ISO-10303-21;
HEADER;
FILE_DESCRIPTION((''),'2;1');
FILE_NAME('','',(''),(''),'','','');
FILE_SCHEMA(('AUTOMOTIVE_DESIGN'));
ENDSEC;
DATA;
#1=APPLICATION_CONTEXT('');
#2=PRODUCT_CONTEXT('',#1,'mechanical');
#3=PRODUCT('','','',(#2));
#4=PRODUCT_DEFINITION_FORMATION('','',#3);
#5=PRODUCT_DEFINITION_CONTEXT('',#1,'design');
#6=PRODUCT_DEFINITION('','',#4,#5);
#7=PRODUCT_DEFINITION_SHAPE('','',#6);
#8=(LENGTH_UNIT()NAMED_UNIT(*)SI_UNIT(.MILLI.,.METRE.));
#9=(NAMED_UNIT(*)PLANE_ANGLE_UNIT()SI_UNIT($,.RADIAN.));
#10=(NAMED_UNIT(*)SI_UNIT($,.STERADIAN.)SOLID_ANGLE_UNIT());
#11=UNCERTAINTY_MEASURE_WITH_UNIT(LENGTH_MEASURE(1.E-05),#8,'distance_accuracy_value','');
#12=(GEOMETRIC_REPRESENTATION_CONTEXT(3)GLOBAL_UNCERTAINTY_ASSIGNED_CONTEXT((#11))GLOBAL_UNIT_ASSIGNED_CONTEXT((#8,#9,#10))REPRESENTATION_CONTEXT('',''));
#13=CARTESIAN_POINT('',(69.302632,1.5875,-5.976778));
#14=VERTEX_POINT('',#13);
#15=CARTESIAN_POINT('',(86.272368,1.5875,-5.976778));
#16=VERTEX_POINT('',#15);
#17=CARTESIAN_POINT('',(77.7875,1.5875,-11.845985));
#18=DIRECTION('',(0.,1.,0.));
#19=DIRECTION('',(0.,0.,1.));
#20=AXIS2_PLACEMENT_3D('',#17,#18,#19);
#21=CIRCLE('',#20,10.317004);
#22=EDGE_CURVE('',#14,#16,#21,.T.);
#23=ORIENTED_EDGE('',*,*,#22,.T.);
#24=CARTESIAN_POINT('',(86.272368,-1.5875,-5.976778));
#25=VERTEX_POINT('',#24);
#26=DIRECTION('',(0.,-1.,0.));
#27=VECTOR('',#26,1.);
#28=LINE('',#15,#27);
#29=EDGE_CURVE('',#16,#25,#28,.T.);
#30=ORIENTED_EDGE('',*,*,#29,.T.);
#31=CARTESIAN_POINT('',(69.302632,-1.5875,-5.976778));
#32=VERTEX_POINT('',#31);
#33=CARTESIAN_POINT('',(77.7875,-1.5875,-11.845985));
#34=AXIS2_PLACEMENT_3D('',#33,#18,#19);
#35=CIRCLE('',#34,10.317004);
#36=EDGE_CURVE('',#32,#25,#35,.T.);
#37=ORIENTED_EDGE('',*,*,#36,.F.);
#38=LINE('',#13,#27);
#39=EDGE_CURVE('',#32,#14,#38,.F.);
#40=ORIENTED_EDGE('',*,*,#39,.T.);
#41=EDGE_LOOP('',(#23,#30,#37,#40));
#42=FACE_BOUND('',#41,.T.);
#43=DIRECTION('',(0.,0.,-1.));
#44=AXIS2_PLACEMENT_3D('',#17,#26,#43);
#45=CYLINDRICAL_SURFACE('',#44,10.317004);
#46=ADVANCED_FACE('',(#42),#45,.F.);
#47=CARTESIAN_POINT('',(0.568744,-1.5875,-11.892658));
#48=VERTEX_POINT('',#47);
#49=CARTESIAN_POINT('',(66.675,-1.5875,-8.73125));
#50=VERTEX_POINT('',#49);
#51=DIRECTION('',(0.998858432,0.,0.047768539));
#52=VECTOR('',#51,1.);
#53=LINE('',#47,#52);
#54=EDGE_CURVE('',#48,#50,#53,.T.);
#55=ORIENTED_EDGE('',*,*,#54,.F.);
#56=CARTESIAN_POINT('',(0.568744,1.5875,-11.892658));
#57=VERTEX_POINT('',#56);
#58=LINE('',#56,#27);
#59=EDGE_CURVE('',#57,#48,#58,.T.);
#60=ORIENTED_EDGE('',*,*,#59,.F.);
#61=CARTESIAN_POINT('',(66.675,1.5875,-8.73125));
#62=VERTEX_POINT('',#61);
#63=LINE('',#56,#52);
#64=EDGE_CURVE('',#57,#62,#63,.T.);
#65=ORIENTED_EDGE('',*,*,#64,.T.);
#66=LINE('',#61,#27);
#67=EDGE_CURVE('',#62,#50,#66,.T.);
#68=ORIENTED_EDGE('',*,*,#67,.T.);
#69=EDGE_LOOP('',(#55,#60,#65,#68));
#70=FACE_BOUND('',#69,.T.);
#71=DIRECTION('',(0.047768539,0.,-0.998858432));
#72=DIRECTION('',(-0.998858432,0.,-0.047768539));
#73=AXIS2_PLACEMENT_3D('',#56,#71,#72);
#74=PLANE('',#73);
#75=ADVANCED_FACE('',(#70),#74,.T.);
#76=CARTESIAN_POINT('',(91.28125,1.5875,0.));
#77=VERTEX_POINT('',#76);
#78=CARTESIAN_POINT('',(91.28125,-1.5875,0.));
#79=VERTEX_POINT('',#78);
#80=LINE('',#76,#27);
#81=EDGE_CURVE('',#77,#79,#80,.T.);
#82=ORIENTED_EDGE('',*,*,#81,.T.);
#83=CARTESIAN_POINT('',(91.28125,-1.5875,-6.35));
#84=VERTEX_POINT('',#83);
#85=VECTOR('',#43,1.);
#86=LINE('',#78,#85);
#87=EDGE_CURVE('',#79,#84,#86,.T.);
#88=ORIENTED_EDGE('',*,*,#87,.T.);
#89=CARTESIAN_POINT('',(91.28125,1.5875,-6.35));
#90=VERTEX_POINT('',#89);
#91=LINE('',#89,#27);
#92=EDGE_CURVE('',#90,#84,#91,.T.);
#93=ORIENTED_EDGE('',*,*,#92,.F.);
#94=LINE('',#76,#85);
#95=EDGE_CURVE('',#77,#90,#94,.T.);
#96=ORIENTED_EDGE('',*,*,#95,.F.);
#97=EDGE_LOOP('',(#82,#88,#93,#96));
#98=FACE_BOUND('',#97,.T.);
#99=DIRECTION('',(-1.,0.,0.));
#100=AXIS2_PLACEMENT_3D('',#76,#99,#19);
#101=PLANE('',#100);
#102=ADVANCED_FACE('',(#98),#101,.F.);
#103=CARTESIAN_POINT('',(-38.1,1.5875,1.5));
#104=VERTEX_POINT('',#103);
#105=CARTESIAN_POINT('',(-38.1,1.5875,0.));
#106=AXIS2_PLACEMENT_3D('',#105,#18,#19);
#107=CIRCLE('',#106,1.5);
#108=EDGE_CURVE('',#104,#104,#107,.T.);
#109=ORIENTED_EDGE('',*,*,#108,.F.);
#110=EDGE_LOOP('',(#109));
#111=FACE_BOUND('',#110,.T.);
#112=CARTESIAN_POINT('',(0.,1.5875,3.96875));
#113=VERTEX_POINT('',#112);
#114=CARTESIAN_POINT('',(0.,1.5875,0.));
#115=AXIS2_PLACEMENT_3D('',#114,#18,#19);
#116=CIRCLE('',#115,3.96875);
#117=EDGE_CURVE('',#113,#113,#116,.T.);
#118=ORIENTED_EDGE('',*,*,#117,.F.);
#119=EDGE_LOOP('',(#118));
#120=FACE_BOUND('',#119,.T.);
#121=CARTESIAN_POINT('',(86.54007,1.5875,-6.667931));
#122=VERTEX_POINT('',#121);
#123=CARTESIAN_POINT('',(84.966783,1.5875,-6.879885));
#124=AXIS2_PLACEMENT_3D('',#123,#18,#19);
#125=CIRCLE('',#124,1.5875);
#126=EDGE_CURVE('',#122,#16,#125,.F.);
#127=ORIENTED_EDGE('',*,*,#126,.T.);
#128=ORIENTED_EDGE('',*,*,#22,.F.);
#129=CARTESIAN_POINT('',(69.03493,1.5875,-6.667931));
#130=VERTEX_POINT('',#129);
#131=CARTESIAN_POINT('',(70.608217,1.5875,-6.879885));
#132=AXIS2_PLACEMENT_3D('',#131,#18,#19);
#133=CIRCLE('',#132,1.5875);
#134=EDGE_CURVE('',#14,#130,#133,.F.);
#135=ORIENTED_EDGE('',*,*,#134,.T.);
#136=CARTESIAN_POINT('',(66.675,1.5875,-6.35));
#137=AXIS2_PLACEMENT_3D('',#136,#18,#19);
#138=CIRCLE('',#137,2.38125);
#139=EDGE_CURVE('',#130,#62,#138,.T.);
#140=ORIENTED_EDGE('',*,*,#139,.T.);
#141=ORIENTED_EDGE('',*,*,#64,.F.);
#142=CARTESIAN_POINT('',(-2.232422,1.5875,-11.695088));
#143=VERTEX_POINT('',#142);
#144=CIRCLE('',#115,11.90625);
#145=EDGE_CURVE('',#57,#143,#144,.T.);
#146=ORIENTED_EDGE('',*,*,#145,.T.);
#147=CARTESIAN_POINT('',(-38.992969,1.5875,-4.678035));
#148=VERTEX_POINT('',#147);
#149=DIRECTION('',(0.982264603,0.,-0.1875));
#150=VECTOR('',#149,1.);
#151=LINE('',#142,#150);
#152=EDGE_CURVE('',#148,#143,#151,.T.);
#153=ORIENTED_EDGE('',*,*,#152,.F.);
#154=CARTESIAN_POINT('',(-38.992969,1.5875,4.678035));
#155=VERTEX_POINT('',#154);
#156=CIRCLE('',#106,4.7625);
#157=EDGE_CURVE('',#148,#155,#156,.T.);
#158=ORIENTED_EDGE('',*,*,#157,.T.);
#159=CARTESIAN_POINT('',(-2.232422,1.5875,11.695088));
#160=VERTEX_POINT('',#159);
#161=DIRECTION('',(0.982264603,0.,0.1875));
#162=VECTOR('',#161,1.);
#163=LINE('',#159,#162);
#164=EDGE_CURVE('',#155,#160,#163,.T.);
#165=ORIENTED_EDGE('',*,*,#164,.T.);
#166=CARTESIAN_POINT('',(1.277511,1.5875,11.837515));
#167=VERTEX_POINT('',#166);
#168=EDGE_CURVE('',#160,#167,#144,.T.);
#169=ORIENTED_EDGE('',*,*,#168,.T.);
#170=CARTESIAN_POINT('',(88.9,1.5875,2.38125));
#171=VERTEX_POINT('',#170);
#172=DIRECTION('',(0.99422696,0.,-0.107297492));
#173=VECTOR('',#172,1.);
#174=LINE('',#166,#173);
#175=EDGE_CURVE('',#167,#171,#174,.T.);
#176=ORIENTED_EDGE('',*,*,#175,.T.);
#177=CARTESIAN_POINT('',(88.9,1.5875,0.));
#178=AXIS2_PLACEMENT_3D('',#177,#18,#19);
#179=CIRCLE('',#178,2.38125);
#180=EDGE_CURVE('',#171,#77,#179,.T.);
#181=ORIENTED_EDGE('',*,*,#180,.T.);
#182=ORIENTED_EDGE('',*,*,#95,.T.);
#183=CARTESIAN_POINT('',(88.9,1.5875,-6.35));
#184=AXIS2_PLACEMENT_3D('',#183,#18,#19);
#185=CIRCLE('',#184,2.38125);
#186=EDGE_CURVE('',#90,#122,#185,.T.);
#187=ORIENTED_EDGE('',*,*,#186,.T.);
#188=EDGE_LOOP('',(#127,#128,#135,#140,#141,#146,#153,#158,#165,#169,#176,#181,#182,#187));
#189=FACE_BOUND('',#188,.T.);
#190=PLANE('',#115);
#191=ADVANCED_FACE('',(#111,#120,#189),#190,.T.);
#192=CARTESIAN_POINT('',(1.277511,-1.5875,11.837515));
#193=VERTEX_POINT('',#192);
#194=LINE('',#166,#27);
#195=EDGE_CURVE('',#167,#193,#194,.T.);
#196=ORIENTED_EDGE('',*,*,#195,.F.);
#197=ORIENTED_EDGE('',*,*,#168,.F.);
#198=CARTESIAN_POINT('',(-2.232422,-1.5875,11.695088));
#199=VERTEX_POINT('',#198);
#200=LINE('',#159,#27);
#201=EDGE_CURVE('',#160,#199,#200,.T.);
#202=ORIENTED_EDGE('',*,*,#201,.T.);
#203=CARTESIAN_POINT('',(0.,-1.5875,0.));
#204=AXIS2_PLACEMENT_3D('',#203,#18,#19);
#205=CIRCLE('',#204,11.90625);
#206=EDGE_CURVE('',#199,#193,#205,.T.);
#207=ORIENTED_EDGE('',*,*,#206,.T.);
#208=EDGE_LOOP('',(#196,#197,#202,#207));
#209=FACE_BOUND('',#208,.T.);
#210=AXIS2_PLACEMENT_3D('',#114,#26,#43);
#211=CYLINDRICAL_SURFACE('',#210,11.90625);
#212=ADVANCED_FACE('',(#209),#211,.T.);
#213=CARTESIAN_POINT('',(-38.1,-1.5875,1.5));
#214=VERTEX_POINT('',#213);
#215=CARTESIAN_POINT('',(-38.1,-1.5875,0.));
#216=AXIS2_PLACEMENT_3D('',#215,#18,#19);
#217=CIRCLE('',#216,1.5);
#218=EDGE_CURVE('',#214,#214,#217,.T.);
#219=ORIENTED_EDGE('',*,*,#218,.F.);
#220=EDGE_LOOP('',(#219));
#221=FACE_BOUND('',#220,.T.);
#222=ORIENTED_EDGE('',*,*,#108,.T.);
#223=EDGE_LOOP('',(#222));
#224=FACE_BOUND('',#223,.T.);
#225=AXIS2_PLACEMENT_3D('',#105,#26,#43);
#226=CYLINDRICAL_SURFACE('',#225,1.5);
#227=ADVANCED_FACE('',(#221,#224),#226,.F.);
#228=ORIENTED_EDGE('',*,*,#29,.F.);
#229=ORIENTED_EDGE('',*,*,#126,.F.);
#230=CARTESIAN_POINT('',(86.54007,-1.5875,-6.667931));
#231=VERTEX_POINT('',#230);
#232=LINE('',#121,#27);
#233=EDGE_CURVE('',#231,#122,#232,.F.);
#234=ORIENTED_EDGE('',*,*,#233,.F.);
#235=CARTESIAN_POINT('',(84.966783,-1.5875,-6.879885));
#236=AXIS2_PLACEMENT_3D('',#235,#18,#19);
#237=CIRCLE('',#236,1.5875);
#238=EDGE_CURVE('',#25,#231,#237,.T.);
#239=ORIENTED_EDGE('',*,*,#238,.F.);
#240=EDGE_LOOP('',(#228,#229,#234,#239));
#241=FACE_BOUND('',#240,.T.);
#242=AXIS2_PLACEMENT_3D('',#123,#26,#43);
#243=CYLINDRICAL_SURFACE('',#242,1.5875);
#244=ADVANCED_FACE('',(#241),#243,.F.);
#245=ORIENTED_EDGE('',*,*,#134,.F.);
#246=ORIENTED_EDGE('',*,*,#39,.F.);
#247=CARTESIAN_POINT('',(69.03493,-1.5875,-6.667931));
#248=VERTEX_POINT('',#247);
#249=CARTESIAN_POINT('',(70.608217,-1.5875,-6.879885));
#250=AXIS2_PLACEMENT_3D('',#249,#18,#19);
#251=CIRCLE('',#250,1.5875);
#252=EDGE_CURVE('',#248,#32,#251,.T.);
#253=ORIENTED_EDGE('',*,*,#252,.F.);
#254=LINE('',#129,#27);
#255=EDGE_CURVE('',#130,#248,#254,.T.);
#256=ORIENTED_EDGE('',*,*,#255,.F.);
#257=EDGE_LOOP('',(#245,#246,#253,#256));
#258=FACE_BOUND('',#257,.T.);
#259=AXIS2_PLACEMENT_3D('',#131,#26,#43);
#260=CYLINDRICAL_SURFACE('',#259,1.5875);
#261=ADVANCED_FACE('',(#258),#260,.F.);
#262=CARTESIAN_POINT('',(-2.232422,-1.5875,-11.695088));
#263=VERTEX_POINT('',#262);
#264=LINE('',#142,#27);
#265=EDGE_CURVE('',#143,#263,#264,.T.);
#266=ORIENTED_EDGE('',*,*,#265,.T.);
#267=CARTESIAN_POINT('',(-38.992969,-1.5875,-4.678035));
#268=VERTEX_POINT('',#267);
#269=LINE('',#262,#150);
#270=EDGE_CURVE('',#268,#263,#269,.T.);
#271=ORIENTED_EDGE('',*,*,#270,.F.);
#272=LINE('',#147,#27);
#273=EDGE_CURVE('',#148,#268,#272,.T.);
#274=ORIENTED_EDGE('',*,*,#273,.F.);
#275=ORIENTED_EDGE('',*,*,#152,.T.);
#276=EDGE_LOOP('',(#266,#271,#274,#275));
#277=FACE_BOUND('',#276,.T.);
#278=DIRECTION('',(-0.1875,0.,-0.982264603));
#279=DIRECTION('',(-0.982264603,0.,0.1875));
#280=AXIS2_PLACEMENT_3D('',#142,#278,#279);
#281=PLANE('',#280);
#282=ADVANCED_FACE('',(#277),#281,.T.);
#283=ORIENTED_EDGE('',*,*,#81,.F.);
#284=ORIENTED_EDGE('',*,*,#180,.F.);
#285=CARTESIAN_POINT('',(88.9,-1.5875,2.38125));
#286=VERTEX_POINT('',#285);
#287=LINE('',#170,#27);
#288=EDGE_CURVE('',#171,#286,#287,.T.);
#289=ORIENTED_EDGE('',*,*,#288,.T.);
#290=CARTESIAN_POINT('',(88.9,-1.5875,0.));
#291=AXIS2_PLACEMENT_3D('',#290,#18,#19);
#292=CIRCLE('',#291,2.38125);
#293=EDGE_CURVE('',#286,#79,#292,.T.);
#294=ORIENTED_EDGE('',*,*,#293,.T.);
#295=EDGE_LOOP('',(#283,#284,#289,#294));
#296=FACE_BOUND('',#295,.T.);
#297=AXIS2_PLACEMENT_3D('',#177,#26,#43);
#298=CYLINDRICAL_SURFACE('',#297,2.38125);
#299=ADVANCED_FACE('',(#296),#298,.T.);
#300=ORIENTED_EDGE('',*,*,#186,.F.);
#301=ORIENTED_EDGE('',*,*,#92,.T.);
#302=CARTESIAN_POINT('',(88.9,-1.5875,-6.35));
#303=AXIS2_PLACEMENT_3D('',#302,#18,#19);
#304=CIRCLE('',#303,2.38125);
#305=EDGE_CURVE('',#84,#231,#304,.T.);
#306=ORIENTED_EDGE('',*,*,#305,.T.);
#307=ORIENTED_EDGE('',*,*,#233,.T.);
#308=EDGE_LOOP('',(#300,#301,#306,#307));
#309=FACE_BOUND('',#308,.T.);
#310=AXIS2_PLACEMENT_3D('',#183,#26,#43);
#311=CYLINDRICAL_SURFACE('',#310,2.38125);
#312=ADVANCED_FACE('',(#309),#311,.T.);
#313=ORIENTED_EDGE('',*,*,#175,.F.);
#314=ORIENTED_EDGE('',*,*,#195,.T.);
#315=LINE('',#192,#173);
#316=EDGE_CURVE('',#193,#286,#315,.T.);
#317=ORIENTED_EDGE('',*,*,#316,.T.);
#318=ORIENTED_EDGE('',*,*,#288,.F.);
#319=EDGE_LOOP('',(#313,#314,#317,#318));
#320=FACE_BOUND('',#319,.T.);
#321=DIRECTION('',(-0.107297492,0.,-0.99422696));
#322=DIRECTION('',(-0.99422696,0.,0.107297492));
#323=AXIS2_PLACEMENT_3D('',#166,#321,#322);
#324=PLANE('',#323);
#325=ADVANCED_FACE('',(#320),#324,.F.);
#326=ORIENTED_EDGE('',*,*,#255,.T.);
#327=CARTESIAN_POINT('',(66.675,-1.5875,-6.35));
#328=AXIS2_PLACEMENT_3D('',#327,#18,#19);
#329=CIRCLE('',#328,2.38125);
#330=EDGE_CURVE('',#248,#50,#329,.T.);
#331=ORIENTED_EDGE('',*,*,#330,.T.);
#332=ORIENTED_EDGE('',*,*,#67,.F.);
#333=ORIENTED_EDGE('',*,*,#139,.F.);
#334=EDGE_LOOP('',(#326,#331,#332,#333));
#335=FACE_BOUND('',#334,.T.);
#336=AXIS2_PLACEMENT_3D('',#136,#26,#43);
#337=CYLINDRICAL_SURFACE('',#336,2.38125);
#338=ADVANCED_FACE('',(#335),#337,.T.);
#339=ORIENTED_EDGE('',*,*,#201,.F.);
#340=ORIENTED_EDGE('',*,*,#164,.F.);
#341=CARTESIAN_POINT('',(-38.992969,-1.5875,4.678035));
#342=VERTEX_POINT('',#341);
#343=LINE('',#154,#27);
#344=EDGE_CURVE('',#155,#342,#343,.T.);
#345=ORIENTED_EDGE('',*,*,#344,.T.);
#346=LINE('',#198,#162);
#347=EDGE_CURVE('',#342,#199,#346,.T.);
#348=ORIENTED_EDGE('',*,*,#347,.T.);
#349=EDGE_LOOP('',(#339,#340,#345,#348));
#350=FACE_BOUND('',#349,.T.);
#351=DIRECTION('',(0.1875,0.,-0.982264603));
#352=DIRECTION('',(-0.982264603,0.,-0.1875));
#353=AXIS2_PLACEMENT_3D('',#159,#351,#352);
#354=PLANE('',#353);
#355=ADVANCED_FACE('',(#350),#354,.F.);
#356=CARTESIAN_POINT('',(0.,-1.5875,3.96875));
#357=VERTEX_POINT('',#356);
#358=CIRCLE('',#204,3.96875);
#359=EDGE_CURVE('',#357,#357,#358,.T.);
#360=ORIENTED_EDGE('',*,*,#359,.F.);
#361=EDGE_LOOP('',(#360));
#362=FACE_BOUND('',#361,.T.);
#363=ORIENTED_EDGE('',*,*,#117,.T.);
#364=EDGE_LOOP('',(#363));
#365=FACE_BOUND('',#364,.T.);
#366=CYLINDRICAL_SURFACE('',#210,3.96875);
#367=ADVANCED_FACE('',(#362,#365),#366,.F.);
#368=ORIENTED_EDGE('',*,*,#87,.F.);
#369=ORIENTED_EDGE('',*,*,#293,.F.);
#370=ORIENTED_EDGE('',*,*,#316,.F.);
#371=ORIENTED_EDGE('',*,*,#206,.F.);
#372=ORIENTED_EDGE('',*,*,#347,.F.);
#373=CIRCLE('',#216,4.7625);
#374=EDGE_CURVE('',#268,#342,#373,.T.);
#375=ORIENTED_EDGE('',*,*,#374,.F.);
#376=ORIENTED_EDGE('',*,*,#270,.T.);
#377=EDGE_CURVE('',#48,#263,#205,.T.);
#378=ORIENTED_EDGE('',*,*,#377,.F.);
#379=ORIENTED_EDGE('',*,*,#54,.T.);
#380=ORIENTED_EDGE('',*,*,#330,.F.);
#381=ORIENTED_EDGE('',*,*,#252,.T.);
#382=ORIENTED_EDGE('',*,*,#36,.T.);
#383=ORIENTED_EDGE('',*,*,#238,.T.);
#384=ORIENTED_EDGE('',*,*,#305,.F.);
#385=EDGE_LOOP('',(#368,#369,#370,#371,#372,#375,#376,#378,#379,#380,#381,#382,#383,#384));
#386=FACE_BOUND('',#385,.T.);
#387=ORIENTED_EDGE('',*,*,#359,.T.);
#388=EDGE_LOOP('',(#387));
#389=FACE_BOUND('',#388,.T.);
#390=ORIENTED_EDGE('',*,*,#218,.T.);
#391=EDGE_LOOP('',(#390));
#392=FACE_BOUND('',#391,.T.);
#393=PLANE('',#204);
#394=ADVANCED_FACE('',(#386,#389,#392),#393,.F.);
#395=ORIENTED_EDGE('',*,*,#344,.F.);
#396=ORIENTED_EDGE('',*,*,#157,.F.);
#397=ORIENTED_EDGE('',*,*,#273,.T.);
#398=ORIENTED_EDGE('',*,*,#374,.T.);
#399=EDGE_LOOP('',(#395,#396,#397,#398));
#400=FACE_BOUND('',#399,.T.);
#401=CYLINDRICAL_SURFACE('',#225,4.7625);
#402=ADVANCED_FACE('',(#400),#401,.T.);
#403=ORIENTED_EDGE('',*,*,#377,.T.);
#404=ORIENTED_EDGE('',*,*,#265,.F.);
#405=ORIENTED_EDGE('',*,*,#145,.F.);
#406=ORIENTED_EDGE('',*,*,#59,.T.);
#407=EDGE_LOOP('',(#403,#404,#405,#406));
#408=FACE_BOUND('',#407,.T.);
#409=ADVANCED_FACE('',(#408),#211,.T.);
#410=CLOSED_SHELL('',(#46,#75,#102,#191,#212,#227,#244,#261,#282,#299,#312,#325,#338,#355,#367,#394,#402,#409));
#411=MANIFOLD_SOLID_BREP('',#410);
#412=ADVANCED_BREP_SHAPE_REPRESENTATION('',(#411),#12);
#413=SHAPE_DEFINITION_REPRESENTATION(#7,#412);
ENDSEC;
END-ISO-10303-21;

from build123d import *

# Parameters (mm, degrees)
SKETCH1_R           = 1.5
SKETCH1_R_2         = 3.96875
BOSS_EXTRUDE1_DEPTH = 1.5875
FILLET1_R           = 1.5875


with BuildPart() as part:
    # Sketch1 → Boss-Extrude1 (new, symmetric)
    # profile 1 of 3: a face of its own
    with BuildSketch(Plane(origin=(0, 0, 0), x_dir=(1, 0, 0), z_dir=(0, 1, 0))):
        with BuildLine():
            Line((-2.232421875, 11.695087928), (-38.99296875, 4.678035171))
            ThreePointArc((-38.99296875, 4.678035171), (-42.8625, 0), (-38.99296875, -4.678035171))
            Line((-38.99296875, -4.678035171), (-2.232421875, -11.695087928))
            ThreePointArc((-2.232421875, -11.695087928), (-0.48273715, -11.896459722), (1.277510766, -11.837514744))
            Line((1.277510766, -11.837514744), (88.9, -2.38125))
            ThreePointArc((88.9, -2.38125), (87.216201977, -1.683798023), (86.51875, 0))
            Line((86.51875, 0), (86.51875, 6.35))
            ThreePointArc((86.51875, 6.35), (77.7875, 1.528980536), (69.05625, 6.35))
            Line((69.05625, 6.35), (69.05625, 0))
            ThreePointArc((69.05625, 0), (66.675, -2.38125), (64.29375, 0))
            Line((64.29375, 0), (64.29375, 6.35))
            ThreePointArc((64.29375, 6.35), (64.991201977, 8.033798023), (66.675, 8.73125))
            Line((66.675, 8.73125), (0.568744164, 11.892658203))
            ThreePointArc((0.568744164, 11.892658203), (-0.837683941, 11.876745121), (-2.232421875, 11.695087928))
        make_face()
        with Locations(Location((-38.1, 0, 0), (0, 0, 270))):
            Circle(SKETCH1_R, mode=Mode.SUBTRACT)
        with Locations(Location((0, 0, 0), (0, 0, 270))):
            Circle(SKETCH1_R_2, mode=Mode.SUBTRACT)
    # profile 2 of 3: a face of its own
    with BuildSketch(Plane(origin=(0, 0, 0), x_dir=(1, 0, 0), z_dir=(0, 1, 0))):
        with BuildLine():
            ThreePointArc((69.05625, 6.35), (68.358798023, 8.033798023), (66.675, 8.73125))
            ThreePointArc((66.675, 8.73125), (64.991201977, 8.033798023), (64.29375, 6.35))
            Line((64.29375, 6.35), (64.29375, 0))
            ThreePointArc((64.29375, 0), (66.675, -2.38125), (69.05625, 0))
            Line((69.05625, 0), (69.05625, 6.35))
        make_face()
    # profile 3 of 3: a face of its own
    with BuildSketch(Plane(origin=(0, 0, 0), x_dir=(1, 0, 0), z_dir=(0, 1, 0))):
        with BuildLine():
            ThreePointArc((86.51875, 0), (87.216201977, -1.683798023), (88.9, -2.38125))
            ThreePointArc((88.9, -2.38125), (90.583798023, -1.683798023), (91.28125, 0))
            Line((91.28125, 0), (91.28125, 6.35))
            ThreePointArc((91.28125, 6.35), (88.9, 8.73125), (86.51875, 6.35))
            Line((86.51875, 6.35), (86.51875, 0))
        make_face()
    extrude(amount=BOSS_EXTRUDE1_DEPTH, both=True)

    # Fillet1
    fillet1_edges = [part.edges().sort_by_distance(p)[0] for p in [
        (69.05625, 0, -6.35),
        (86.51875, 0, -6.35),
    ]]
    fillet(fillet1_edges, radius=FILLET1_R)


solid = part.part
